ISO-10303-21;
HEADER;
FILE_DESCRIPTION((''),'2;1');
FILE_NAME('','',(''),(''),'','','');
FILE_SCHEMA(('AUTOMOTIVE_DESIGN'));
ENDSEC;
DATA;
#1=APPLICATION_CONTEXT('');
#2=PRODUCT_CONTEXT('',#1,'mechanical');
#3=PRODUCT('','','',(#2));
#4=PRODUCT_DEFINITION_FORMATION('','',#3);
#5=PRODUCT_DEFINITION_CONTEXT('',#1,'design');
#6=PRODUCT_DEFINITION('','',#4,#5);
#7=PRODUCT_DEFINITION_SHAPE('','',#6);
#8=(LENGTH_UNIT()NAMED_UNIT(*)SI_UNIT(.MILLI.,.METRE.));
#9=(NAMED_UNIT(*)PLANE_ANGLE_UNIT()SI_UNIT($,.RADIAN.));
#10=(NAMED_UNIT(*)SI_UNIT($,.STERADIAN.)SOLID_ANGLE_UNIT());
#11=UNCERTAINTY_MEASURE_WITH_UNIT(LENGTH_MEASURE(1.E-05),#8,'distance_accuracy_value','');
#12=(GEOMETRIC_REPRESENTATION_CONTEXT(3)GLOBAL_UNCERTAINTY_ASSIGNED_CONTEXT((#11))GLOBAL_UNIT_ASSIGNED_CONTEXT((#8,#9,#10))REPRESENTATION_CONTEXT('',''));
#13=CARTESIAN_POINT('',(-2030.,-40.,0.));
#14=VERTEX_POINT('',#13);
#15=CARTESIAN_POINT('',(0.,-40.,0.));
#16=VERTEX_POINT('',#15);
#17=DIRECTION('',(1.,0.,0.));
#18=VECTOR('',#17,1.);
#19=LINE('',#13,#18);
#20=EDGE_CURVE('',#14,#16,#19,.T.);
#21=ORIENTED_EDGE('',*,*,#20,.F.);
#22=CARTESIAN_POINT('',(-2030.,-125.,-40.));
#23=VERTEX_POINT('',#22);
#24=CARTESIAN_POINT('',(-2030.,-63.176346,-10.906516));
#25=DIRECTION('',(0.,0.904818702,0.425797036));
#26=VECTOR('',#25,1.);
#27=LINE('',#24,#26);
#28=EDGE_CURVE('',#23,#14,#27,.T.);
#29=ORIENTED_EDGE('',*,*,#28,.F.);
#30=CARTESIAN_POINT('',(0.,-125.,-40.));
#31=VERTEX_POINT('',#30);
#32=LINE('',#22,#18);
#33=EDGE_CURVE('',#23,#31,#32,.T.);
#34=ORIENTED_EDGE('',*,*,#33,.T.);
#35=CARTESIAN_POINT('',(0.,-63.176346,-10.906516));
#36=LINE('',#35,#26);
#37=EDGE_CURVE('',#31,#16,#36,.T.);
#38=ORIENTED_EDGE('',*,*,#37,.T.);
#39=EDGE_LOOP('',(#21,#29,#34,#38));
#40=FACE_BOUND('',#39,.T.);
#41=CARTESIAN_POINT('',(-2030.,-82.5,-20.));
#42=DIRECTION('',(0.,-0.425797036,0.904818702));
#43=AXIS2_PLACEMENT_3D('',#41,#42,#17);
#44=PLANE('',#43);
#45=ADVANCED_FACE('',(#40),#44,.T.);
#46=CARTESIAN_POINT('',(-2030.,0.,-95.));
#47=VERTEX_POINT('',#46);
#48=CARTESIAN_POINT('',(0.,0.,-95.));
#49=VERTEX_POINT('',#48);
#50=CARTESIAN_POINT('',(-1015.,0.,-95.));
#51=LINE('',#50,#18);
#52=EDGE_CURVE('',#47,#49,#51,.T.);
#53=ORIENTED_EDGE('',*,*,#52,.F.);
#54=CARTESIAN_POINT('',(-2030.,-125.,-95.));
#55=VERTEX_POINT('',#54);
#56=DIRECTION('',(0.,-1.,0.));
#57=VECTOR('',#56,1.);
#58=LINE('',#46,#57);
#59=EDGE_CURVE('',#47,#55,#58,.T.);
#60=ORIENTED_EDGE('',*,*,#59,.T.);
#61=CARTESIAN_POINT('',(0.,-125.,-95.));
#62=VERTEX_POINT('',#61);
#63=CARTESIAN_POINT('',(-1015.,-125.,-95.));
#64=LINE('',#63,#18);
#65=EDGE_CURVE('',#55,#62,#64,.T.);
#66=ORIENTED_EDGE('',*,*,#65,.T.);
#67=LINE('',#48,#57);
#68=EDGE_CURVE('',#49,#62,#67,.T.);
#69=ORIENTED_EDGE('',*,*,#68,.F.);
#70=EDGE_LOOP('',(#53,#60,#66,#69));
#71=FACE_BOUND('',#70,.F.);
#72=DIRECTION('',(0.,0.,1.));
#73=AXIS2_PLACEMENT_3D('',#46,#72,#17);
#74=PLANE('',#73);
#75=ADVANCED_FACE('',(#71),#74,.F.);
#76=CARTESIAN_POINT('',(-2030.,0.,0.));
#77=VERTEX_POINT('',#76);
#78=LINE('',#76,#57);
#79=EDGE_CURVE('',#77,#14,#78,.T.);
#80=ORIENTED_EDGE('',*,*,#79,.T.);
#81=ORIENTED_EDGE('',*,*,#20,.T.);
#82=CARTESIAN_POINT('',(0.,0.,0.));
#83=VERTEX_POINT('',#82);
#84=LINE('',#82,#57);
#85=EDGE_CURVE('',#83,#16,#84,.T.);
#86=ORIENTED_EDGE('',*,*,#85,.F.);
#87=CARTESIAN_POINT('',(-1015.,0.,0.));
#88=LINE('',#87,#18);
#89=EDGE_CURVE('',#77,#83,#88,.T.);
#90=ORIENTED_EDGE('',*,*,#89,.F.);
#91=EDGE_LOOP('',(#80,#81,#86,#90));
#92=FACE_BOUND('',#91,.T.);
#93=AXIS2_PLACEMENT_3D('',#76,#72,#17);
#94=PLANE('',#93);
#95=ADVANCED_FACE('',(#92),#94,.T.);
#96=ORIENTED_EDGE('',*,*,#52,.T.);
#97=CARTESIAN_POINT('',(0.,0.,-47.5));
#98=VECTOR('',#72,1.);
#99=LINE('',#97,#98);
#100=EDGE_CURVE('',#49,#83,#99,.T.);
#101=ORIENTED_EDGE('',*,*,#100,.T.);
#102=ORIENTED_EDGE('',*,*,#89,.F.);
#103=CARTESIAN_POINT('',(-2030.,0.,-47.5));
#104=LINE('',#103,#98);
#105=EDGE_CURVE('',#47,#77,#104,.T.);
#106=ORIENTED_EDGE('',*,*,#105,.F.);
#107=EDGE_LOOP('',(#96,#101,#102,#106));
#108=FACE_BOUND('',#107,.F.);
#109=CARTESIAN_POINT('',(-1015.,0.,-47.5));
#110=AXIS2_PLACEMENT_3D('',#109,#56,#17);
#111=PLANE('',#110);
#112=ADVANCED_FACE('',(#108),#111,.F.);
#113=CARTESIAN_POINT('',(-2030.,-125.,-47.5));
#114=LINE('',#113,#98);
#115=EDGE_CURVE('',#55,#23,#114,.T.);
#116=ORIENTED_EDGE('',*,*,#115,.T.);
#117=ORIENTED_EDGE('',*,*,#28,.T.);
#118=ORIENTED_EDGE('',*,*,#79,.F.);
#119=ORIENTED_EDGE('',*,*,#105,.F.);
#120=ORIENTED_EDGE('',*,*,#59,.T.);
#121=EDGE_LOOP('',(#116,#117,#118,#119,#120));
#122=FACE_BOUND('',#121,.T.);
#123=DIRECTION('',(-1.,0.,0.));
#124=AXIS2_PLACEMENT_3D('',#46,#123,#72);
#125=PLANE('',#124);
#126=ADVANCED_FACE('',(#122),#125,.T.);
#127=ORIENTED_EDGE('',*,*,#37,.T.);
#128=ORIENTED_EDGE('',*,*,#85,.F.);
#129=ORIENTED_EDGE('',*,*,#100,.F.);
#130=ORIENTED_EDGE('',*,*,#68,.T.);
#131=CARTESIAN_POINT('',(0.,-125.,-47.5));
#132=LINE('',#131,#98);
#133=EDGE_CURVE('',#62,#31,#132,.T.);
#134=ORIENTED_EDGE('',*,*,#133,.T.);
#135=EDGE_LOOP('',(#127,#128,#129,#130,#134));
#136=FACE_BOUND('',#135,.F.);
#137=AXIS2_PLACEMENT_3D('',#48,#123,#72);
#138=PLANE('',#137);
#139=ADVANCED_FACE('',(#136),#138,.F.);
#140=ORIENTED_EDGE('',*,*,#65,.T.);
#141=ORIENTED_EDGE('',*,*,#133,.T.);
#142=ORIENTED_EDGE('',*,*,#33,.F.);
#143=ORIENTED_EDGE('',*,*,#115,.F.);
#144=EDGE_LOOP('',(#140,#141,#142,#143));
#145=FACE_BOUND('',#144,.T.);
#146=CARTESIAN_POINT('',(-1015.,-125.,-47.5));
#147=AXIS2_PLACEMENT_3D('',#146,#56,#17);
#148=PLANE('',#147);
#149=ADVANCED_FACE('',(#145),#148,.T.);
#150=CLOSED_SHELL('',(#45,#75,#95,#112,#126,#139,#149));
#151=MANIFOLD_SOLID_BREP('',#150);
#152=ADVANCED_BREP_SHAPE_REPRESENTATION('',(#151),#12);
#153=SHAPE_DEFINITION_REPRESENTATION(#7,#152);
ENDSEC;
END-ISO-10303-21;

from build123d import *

# Parameters (mm, degrees)
F0_W     = 2030
F0_H     = 95
F1_DEPTH = 125
F2_SIZE2 = 85
F2_SIZE  = 40


with BuildPart() as f1:
    # F0 (on Front) → F1 (new body)
    with BuildSketch(Plane.XZ):
        with Locations((-1015, -47.5)):
            Rectangle(F0_W, F0_H)
    extrude(amount=F1_DEPTH)

    # F2
    f2_edges = [f1.edges().sort_by_distance(p)[0] for p in [
        (-1015, -125, 0),
    ]]
    f2_side = f1.faces().sort_by_distance((-1015, -125, -47.5))[0]
    chamfer(f2_edges, length=F2_SIZE, length2=F2_SIZE2, reference=f2_side)


solid = f1.part
